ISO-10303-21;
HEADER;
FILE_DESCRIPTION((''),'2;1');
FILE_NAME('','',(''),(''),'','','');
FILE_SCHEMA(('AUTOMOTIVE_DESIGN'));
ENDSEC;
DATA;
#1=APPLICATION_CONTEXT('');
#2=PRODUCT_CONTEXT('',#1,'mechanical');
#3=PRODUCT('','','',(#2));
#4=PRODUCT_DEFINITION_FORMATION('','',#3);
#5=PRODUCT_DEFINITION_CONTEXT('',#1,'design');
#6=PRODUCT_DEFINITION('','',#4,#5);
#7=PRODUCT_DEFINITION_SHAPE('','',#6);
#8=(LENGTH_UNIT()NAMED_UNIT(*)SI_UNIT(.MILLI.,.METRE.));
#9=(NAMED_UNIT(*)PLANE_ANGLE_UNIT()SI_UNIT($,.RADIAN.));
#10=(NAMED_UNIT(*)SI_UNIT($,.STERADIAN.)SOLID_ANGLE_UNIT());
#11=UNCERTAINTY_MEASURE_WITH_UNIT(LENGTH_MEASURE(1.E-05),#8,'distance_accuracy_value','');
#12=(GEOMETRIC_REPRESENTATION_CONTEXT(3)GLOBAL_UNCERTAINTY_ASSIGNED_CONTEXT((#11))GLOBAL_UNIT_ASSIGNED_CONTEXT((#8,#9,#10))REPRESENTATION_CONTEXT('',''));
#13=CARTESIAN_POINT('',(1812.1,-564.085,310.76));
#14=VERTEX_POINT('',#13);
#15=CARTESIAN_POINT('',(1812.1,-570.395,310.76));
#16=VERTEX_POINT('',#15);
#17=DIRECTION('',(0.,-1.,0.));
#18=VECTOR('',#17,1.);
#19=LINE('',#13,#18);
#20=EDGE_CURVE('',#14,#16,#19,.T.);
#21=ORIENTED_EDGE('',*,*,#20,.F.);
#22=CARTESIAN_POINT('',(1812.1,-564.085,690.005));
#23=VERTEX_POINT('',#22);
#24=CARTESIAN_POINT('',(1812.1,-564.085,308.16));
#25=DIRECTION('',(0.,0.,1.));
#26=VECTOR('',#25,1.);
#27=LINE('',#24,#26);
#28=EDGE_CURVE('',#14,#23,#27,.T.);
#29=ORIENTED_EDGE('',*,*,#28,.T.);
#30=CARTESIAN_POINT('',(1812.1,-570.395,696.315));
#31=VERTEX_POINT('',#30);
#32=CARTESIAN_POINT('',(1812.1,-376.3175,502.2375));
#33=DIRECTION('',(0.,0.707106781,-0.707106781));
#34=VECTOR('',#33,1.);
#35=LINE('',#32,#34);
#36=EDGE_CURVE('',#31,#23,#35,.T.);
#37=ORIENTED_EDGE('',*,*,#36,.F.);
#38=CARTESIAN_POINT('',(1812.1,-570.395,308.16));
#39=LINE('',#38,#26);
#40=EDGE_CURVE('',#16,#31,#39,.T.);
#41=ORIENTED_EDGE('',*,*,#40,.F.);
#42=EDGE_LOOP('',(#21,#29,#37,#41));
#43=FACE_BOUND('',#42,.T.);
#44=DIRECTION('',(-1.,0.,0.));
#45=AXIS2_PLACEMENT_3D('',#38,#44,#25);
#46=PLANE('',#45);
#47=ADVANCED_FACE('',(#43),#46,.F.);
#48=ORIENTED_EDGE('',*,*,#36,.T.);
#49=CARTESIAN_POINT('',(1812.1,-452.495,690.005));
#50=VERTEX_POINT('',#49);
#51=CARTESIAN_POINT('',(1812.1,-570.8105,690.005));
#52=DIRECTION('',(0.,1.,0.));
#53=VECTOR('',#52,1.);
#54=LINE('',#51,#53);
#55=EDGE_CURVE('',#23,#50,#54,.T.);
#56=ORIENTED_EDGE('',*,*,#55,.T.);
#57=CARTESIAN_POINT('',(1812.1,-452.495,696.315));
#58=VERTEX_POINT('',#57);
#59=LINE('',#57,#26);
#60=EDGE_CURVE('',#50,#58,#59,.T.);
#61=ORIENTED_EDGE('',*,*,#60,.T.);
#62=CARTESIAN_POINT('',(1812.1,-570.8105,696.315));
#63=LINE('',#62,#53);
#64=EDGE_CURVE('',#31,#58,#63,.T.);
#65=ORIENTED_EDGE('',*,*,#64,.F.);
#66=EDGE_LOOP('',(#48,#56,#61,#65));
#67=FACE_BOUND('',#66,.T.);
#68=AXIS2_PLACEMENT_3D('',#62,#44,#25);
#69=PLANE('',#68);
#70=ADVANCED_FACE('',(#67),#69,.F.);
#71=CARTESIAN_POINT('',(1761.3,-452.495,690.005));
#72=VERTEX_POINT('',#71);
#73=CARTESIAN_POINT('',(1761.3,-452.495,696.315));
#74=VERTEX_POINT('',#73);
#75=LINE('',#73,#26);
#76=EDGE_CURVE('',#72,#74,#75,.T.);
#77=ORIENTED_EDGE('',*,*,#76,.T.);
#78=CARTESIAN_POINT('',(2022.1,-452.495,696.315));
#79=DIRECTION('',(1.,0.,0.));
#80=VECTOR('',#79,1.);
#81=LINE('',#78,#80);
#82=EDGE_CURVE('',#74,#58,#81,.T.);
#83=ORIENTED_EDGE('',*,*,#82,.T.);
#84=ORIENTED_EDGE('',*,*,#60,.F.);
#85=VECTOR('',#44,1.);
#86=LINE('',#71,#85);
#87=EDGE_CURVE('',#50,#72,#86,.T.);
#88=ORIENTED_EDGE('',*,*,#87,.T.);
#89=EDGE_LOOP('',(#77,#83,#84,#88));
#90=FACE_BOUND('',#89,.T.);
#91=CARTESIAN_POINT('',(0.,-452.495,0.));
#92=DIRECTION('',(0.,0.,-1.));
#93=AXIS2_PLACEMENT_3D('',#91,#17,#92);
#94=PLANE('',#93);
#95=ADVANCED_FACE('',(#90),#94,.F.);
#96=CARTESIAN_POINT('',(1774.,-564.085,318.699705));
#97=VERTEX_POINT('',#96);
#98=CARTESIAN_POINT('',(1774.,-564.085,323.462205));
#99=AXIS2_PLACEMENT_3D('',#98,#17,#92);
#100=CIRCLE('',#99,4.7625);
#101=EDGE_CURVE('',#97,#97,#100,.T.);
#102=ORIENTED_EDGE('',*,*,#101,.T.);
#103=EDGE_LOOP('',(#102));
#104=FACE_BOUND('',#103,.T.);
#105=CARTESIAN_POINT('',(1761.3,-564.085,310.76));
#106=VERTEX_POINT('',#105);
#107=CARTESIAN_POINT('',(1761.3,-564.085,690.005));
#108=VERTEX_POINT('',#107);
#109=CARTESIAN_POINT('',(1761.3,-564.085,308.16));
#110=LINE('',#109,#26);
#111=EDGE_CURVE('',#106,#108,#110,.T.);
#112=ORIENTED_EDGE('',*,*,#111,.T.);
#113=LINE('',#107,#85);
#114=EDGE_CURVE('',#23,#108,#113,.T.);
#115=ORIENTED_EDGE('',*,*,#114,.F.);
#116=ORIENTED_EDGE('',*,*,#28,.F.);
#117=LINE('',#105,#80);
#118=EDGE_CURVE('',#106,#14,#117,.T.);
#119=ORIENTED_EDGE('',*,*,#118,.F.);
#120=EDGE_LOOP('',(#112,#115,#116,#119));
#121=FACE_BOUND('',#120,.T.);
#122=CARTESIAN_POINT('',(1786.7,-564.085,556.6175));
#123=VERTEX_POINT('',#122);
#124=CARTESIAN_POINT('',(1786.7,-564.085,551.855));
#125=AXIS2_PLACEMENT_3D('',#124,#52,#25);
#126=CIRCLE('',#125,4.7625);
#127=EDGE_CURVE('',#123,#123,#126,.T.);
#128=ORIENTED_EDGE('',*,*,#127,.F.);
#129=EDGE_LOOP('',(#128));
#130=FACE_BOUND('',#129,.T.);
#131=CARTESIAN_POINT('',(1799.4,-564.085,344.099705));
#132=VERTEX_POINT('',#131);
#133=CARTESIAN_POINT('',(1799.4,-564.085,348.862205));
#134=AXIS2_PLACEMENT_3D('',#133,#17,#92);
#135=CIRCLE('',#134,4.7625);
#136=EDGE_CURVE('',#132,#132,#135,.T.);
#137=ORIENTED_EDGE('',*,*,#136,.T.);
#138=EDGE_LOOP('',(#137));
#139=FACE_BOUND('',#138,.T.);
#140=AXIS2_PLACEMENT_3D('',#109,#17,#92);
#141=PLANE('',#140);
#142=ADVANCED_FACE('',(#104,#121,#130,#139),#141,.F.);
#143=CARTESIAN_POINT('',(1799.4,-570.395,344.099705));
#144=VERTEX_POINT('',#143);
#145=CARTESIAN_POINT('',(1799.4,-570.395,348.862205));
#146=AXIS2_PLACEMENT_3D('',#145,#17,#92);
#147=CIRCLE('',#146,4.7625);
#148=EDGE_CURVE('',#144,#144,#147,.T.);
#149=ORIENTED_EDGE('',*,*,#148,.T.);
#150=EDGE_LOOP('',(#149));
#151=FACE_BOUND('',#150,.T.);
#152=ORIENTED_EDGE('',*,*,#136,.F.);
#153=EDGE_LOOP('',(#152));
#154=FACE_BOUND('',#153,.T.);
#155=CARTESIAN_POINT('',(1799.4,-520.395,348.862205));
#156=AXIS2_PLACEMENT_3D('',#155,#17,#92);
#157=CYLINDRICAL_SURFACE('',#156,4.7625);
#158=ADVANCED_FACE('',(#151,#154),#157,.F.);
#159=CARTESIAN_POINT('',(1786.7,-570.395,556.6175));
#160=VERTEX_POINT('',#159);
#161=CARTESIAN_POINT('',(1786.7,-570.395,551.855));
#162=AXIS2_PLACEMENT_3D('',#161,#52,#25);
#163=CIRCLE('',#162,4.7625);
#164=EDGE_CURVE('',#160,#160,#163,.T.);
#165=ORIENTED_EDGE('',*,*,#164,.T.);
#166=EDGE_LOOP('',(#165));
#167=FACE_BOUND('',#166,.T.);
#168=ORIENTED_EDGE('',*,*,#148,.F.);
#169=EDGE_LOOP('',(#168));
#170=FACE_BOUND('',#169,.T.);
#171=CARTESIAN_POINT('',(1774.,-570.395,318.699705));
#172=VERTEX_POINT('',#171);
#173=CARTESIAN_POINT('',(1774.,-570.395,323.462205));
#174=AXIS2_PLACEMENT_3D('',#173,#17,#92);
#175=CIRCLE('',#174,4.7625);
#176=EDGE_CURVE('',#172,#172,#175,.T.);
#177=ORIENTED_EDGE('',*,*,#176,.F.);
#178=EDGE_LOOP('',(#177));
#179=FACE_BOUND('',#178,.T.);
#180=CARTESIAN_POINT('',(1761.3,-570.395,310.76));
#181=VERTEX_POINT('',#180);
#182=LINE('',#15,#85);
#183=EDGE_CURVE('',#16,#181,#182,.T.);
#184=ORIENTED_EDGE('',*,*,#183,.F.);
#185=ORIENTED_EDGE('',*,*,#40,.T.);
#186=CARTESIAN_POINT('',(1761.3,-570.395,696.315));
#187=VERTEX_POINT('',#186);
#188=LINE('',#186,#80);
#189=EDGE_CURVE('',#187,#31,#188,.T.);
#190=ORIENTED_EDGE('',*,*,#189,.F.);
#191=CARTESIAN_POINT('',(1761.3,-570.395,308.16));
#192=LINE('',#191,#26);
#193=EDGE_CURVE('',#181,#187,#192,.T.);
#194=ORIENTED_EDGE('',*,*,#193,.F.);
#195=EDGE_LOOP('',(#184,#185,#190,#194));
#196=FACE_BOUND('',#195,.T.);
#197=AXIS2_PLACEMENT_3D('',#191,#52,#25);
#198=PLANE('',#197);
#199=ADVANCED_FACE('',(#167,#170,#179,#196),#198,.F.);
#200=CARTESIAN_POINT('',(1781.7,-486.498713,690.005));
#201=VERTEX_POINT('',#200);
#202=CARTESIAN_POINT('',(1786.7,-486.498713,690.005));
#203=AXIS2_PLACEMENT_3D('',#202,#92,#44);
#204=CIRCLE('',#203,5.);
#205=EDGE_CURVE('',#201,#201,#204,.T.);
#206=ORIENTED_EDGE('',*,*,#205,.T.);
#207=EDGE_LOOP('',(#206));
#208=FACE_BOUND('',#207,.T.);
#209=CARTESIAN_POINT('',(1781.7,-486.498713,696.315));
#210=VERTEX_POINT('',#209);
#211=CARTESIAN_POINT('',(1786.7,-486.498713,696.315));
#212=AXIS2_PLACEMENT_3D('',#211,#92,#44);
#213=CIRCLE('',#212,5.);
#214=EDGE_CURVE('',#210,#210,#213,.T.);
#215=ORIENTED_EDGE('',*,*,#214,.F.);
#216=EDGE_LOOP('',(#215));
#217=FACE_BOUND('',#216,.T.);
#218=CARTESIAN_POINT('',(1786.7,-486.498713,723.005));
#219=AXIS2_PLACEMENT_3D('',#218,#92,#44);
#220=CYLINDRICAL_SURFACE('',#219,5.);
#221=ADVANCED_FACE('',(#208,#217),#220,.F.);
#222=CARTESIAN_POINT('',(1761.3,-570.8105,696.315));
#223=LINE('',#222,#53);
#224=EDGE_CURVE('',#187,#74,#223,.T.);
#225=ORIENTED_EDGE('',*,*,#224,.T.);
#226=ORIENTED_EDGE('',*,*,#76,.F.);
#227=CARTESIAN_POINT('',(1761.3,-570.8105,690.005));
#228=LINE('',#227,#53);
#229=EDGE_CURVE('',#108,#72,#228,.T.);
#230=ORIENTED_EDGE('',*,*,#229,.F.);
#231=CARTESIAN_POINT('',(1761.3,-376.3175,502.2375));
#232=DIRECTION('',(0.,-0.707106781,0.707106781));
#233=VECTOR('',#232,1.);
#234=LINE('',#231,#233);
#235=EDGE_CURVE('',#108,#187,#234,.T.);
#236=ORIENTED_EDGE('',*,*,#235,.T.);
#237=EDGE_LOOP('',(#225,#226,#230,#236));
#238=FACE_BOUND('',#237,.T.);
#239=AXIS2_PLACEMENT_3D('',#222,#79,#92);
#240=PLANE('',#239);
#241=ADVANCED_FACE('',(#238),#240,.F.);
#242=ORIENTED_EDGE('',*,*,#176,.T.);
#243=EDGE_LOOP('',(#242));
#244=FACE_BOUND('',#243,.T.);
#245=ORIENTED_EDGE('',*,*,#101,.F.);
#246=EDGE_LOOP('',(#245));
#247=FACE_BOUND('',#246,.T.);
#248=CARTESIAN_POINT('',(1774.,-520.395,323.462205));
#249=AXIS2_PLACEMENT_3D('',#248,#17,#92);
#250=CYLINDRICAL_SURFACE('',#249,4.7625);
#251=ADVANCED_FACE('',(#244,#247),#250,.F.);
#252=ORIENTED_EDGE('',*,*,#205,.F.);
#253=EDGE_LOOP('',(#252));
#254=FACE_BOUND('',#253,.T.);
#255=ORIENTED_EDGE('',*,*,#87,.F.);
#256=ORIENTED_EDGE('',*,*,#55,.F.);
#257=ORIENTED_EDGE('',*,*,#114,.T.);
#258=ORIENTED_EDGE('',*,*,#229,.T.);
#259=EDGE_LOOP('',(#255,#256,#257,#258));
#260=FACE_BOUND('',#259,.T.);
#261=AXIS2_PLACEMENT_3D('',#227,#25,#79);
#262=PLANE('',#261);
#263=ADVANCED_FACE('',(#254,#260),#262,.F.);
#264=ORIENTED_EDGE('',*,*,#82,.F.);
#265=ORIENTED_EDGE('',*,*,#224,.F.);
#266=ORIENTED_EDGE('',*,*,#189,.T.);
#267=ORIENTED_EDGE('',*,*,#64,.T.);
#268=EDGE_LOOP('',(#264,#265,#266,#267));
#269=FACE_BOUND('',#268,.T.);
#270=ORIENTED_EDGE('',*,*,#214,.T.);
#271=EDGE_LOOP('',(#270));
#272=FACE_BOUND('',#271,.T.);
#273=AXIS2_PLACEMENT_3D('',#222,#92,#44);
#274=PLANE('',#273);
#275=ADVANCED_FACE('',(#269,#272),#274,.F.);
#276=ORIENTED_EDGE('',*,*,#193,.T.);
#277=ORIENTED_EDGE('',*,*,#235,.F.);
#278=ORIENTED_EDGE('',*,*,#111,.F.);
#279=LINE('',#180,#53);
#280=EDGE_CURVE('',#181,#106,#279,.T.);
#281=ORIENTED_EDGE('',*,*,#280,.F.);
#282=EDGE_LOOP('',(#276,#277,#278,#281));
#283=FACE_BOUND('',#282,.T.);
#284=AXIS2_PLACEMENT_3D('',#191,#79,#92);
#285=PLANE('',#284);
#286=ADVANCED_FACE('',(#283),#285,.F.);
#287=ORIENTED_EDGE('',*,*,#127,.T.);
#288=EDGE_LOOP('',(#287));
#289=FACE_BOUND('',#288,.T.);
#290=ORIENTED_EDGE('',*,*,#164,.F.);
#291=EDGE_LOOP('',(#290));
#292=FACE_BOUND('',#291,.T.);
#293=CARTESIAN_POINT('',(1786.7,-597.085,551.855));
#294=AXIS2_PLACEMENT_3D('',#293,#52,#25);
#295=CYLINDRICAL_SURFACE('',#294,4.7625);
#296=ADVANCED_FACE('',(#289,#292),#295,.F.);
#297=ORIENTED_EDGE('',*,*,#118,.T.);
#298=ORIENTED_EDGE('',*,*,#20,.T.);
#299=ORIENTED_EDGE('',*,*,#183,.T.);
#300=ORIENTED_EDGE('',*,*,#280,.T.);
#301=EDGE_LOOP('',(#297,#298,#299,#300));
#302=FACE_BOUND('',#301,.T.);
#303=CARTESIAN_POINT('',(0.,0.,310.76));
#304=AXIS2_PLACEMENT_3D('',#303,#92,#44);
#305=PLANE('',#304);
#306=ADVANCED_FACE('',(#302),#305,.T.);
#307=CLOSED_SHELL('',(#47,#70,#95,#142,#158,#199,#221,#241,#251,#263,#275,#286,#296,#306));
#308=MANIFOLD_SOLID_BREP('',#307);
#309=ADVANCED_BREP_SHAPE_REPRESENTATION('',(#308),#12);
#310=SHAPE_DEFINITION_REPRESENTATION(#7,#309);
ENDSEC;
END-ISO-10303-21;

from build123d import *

# Parameters (mm, degrees)
CROQUIS2_W              = 50.8
CROQUIS2_H              = 6.31
CROQUIS3_W              = 50.8
CROQUIS3_H              = 6.31
CROQUIS4_W              = 60
CROQUIS4_H              = 53.155
SALIENTE_EXTRUIR1_DEPTH = 6.31
CROQUIS5_W              = 60
CROQUIS5_H              = 6.31
CORTAR_EXTRUIR1_DEPTH   = 6.31
CORTAR_EXTRUIR2_DEPTH   = 634
CROQUIS8_W              = 50.8
CROQUIS8_H              = 6.31
SALIENTE_EXTRUIR2_DEPTH = 63.5
CROQUIS9_R              = 5
CORTAR_EXTRUIR3_DEPTH   = 10
CROQUIS10_W             = 790.847933
CROQUIS10_H             = 6.31
CORTAR_EXTRUIR4_DEPTH   = 286
CROQUIS11_W             = 50.8
CROQUIS11_H             = 6.31
CROQUIS11_W_2           = 210
CORTAR_EXTRUIR5_DEPTH   = 13.11
CROQUIS12_W             = 50.8
CROQUIS12_H             = 6.31
SALIENTE_EXTRUIR3_DEPTH = 6.35
CROQUIS13_W             = 50.8
CROQUIS13_H             = 6.35
CORTAR_EXTRUIR6_DEPTH   = 6.35
CROQUIS14_W             = 260.8
CROQUIS14_H             = 6.31
CORTAR_EXTRUIR7_DEPTH   = 6.31
CROQUIS15_W             = 50.8
CROQUIS15_H             = 6.31
CORTAR_EXTRUIR8_DEPTH   = 6.31
CROQUIS16_W             = 78.776397836
CROQUIS16_H             = 454.479218284
CORTAR_EXTRUIR9_DEPTH   = 128
CROQUIS22_R             = 4.7625
CORTAR_EXTRUIR15_DEPTH  = 33
CROQUIS24_R             = 5.000000022
CORTAR_EXTRUIR18_DEPTH  = 33
CROQUIS25_R             = 4.7625
CORTAR_EXTRUIR19_DEPTH  = 50


with BuildPart() as part:
    # Barrer1: sweep along a curve in space
    with BuildLine() as barrer1_path:
        Line((0, 0, 0), (0, -567.24, 0))
        Line((0, -567.24, 0), (0, -567.24, 336.2))
        Line((0, -567.24, 336.2), (1786.7, -567.24, 336.2))
        Line((1786.7, -567.24, 336.2), (1786.7, -567.24, 693.16))
        Line((1786.7, -567.24, 693.16), (1786.7, -436.23, 693.16))
        Line((1786.7, -436.23, 693.16), (1786.7, -436.23, 1487.162933))
    # Croquis2 → Barrer1 (sweep)
    with BuildSketch(Plane(origin=(0, 0, 0), x_dir=(1, 0, 0), z_dir=(0, 1, 0))):
        Rectangle(CROQUIS2_W, CROQUIS2_H)
        with Locations((210, 0)):
            Rectangle(CROQUIS2_W, CROQUIS2_H)
    sweep(path=barrer1_path.line, transition=Transition.RIGHT)

    # Barrer4: sweep along a curve in space
    with BuildLine() as barrer4_path:
        Line((-0.201028049, -3.155, -3.155), (-0.201028049, -3.155, -207.155))
        Line((-0.201028049, -3.155, -207.155), (-0.201028049, -53.155, -207.155))
    # Croquis3 → Barrer4 (sweep)
    with BuildSketch(Plane(origin=(0, 0, -3.155), x_dir=(-1, 0, 0), z_dir=(0, 0, -1))):
        with Locations((-210, -3.155)):
            Rectangle(CROQUIS3_W, CROQUIS3_H)
        with Locations((0, -3.155)):
            Rectangle(CROQUIS3_W, CROQUIS3_H)
    sweep(path=barrer4_path.line, transition=Transition.RIGHT)

    # Croquis4 → Saliente-Extruir1 (add)
    with BuildSketch(Plane(origin=(0, 0, -210.31), x_dir=(-1, 0, 0), z_dir=(0, 0, -1))):
        with Locations((-154.6, -26.5775)):
            Rectangle(CROQUIS4_W, CROQUIS4_H)
    extrude(amount=-SALIENTE_EXTRUIR1_DEPTH)

    # Croquis5 → Cortar-Extruir1 (cut)
    with BuildSketch(Plane.XY.offset(-204)):
        with Locations((154.6, -3.155)):
            Rectangle(CROQUIS5_W, CROQUIS5_H)
    extrude(amount=-CORTAR_EXTRUIR1_DEPTH, mode=Mode.SUBTRACT)

    # Croquis7 → Cortar-Extruir2 (cut)
    with BuildSketch(Plane(origin=(0, 0, 0), x_dir=(1, 0, 0), z_dir=(0, 1, 0))):
        Polygon((1761.3, -361.6), (2022.1, -361.6), (2022.1, 278.600557529), (-188.115947115, 278.600557529), (-188.115947115, -361.6), align=None)
    extrude(amount=-CORTAR_EXTRUIR2_DEPTH, mode=Mode.SUBTRACT)

    # Croquis8 → Saliente-Extruir2 (add)
    with BuildSketch(Plane(origin=(0, 0, 361.6), x_dir=(-1, 0, 0), z_dir=(0, 0, -1))):
        with Locations((-1786.7, -567.24)):
            Rectangle(CROQUIS8_W, CROQUIS8_H)
    extrude(amount=SALIENTE_EXTRUIR2_DEPTH)

    # Croquis9 → Cortar-Extruir3 (cut)
    with BuildSketch(Plane(origin=(0, -433.075, 0), x_dir=(1, 0, 0), z_dir=(0, 1, 0))):
        with Locations(Location((1786.7, -1454.162933, 0), (0, 0, 270))):
            Circle(CROQUIS9_R)
        with Locations(Location((1786.7, -1234.162933, 0), (0, 0, 270))):
            Circle(CROQUIS9_R)
        with Locations(Location((1996.7, -1234.162933, 0), (0, 0, 270))):
            Circle(CROQUIS9_R)
        with Locations(Location((1996.7, -1454.162933, 0), (0, 0, 270))):
            Circle(CROQUIS9_R)
    extrude(amount=-CORTAR_EXTRUIR3_DEPTH, mode=Mode.SUBTRACT)

    # Croquis10 → Cortar-Extruir4 (cut)
    with BuildSketch(Plane(origin=(2022.1, 0, 0), x_dir=(0, 0, -1), z_dir=(1, 0, 0))):
        with Locations((-1091.7389665, -436.23)):
            Rectangle(CROQUIS10_W, CROQUIS10_H)
    extrude(amount=-CORTAR_EXTRUIR4_DEPTH, mode=Mode.SUBTRACT)

    # Croquis11 → Cortar-Extruir5 (cut)
    with BuildSketch(Plane(origin=(0, -433.075, 0), x_dir=(1, 0, 0), z_dir=(0, 1, 0))):
        with Locations((1996.7, -693.16)):
            Rectangle(CROQUIS11_W, CROQUIS11_H)
        with Locations((1866.3, -693.16)):
            Rectangle(CROQUIS11_W_2, CROQUIS11_H)
    extrude(amount=-CORTAR_EXTRUIR5_DEPTH, mode=Mode.SUBTRACT)

    # Croquis12 → Saliente-Extruir3 (add)
    with BuildSketch(Plane(origin=(0, 0, 361.6), x_dir=(-1, 0, 0), z_dir=(0, 0, -1))):
        with Locations((-1996.7, -567.24)):
            Rectangle(CROQUIS12_W, CROQUIS12_H)
    extrude(amount=SALIENTE_EXTRUIR3_DEPTH)

    # Croquis13 → Cortar-Extruir6 (cut)
    with BuildSketch(Plane(origin=(0, -564.085, 0), x_dir=(1, 0, 0), z_dir=(0, 1, 0))):
        with Locations((1786.7, -301.275)):
            Rectangle(CROQUIS13_W, CROQUIS13_H)
    extrude(amount=-CORTAR_EXTRUIR6_DEPTH, mode=Mode.SUBTRACT)

    # Croquis14 → Cortar-Extruir7 (cut)
    with BuildSketch(Plane(origin=(0, -446.185, 0), x_dir=(1, 0, 0), z_dir=(0, 1, 0))):
        with Locations((1891.7, -693.16)):
            Rectangle(CROQUIS14_W, CROQUIS14_H)
    extrude(amount=-CORTAR_EXTRUIR7_DEPTH, mode=Mode.SUBTRACT)

    # Croquis15 → Cortar-Extruir8 (cut)
    with BuildSketch(Plane(origin=(0, 0, 304.45), x_dir=(-1, 0, 0), z_dir=(0, 0, -1))):
        with Locations((-1786.7, -567.24)):
            Rectangle(CROQUIS15_W, CROQUIS15_H)
    extrude(amount=-CORTAR_EXTRUIR8_DEPTH, mode=Mode.SUBTRACT)

    # Croquis16 → Cortar-Extruir9 (cut)
    with BuildSketch(Plane(origin=(0, -452.495, 0), x_dir=(1, 0, 0), z_dir=(0, 1, 0))):
        with Locations((1993.809618139, -557.908989907)):
            Rectangle(CROQUIS16_W, CROQUIS16_H)
    extrude(amount=-CORTAR_EXTRUIR9_DEPTH, mode=Mode.SUBTRACT)

    # Croquis22 → Cortar-Extruir15 (cut)
    with BuildSketch(Plane(origin=(0, -564.085, 0), x_dir=(1, 0, 0), z_dir=(0, 1, 0))):
        with Locations(Location((1786.7, -551.855, 0), (0, 0, 270))):
            Circle(CROQUIS22_R)
    extrude(amount=-CORTAR_EXTRUIR15_DEPTH, mode=Mode.SUBTRACT)

    # Croquis24 → Cortar-Extruir18 (cut)
    with BuildSketch(Plane(origin=(0, 0, 690.005), x_dir=(-1, 0, 0), z_dir=(0, 0, -1))):
        with Locations((-1786.700000078, -486.49871274)):
            Circle(CROQUIS24_R)
    extrude(amount=-CORTAR_EXTRUIR18_DEPTH, mode=Mode.SUBTRACT)

    # Croquis25 → Cortar-Extruir19 (cut)
    with BuildSketch(Plane(origin=(0, -570.395, 0), x_dir=(-1, 0, 0), z_dir=(0, -1, 0))):
        with Locations(Location((-1799.399999999, -348.862204666, 0), (0, 0, 90))):
            Circle(CROQUIS25_R)
        with Locations(Location((-1773.999999999, -323.462204666, 0), (0, 0, 90))):
            Circle(CROQUIS25_R)
    extrude(amount=-CORTAR_EXTRUIR19_DEPTH, mode=Mode.SUBTRACT)


solid = part.part
